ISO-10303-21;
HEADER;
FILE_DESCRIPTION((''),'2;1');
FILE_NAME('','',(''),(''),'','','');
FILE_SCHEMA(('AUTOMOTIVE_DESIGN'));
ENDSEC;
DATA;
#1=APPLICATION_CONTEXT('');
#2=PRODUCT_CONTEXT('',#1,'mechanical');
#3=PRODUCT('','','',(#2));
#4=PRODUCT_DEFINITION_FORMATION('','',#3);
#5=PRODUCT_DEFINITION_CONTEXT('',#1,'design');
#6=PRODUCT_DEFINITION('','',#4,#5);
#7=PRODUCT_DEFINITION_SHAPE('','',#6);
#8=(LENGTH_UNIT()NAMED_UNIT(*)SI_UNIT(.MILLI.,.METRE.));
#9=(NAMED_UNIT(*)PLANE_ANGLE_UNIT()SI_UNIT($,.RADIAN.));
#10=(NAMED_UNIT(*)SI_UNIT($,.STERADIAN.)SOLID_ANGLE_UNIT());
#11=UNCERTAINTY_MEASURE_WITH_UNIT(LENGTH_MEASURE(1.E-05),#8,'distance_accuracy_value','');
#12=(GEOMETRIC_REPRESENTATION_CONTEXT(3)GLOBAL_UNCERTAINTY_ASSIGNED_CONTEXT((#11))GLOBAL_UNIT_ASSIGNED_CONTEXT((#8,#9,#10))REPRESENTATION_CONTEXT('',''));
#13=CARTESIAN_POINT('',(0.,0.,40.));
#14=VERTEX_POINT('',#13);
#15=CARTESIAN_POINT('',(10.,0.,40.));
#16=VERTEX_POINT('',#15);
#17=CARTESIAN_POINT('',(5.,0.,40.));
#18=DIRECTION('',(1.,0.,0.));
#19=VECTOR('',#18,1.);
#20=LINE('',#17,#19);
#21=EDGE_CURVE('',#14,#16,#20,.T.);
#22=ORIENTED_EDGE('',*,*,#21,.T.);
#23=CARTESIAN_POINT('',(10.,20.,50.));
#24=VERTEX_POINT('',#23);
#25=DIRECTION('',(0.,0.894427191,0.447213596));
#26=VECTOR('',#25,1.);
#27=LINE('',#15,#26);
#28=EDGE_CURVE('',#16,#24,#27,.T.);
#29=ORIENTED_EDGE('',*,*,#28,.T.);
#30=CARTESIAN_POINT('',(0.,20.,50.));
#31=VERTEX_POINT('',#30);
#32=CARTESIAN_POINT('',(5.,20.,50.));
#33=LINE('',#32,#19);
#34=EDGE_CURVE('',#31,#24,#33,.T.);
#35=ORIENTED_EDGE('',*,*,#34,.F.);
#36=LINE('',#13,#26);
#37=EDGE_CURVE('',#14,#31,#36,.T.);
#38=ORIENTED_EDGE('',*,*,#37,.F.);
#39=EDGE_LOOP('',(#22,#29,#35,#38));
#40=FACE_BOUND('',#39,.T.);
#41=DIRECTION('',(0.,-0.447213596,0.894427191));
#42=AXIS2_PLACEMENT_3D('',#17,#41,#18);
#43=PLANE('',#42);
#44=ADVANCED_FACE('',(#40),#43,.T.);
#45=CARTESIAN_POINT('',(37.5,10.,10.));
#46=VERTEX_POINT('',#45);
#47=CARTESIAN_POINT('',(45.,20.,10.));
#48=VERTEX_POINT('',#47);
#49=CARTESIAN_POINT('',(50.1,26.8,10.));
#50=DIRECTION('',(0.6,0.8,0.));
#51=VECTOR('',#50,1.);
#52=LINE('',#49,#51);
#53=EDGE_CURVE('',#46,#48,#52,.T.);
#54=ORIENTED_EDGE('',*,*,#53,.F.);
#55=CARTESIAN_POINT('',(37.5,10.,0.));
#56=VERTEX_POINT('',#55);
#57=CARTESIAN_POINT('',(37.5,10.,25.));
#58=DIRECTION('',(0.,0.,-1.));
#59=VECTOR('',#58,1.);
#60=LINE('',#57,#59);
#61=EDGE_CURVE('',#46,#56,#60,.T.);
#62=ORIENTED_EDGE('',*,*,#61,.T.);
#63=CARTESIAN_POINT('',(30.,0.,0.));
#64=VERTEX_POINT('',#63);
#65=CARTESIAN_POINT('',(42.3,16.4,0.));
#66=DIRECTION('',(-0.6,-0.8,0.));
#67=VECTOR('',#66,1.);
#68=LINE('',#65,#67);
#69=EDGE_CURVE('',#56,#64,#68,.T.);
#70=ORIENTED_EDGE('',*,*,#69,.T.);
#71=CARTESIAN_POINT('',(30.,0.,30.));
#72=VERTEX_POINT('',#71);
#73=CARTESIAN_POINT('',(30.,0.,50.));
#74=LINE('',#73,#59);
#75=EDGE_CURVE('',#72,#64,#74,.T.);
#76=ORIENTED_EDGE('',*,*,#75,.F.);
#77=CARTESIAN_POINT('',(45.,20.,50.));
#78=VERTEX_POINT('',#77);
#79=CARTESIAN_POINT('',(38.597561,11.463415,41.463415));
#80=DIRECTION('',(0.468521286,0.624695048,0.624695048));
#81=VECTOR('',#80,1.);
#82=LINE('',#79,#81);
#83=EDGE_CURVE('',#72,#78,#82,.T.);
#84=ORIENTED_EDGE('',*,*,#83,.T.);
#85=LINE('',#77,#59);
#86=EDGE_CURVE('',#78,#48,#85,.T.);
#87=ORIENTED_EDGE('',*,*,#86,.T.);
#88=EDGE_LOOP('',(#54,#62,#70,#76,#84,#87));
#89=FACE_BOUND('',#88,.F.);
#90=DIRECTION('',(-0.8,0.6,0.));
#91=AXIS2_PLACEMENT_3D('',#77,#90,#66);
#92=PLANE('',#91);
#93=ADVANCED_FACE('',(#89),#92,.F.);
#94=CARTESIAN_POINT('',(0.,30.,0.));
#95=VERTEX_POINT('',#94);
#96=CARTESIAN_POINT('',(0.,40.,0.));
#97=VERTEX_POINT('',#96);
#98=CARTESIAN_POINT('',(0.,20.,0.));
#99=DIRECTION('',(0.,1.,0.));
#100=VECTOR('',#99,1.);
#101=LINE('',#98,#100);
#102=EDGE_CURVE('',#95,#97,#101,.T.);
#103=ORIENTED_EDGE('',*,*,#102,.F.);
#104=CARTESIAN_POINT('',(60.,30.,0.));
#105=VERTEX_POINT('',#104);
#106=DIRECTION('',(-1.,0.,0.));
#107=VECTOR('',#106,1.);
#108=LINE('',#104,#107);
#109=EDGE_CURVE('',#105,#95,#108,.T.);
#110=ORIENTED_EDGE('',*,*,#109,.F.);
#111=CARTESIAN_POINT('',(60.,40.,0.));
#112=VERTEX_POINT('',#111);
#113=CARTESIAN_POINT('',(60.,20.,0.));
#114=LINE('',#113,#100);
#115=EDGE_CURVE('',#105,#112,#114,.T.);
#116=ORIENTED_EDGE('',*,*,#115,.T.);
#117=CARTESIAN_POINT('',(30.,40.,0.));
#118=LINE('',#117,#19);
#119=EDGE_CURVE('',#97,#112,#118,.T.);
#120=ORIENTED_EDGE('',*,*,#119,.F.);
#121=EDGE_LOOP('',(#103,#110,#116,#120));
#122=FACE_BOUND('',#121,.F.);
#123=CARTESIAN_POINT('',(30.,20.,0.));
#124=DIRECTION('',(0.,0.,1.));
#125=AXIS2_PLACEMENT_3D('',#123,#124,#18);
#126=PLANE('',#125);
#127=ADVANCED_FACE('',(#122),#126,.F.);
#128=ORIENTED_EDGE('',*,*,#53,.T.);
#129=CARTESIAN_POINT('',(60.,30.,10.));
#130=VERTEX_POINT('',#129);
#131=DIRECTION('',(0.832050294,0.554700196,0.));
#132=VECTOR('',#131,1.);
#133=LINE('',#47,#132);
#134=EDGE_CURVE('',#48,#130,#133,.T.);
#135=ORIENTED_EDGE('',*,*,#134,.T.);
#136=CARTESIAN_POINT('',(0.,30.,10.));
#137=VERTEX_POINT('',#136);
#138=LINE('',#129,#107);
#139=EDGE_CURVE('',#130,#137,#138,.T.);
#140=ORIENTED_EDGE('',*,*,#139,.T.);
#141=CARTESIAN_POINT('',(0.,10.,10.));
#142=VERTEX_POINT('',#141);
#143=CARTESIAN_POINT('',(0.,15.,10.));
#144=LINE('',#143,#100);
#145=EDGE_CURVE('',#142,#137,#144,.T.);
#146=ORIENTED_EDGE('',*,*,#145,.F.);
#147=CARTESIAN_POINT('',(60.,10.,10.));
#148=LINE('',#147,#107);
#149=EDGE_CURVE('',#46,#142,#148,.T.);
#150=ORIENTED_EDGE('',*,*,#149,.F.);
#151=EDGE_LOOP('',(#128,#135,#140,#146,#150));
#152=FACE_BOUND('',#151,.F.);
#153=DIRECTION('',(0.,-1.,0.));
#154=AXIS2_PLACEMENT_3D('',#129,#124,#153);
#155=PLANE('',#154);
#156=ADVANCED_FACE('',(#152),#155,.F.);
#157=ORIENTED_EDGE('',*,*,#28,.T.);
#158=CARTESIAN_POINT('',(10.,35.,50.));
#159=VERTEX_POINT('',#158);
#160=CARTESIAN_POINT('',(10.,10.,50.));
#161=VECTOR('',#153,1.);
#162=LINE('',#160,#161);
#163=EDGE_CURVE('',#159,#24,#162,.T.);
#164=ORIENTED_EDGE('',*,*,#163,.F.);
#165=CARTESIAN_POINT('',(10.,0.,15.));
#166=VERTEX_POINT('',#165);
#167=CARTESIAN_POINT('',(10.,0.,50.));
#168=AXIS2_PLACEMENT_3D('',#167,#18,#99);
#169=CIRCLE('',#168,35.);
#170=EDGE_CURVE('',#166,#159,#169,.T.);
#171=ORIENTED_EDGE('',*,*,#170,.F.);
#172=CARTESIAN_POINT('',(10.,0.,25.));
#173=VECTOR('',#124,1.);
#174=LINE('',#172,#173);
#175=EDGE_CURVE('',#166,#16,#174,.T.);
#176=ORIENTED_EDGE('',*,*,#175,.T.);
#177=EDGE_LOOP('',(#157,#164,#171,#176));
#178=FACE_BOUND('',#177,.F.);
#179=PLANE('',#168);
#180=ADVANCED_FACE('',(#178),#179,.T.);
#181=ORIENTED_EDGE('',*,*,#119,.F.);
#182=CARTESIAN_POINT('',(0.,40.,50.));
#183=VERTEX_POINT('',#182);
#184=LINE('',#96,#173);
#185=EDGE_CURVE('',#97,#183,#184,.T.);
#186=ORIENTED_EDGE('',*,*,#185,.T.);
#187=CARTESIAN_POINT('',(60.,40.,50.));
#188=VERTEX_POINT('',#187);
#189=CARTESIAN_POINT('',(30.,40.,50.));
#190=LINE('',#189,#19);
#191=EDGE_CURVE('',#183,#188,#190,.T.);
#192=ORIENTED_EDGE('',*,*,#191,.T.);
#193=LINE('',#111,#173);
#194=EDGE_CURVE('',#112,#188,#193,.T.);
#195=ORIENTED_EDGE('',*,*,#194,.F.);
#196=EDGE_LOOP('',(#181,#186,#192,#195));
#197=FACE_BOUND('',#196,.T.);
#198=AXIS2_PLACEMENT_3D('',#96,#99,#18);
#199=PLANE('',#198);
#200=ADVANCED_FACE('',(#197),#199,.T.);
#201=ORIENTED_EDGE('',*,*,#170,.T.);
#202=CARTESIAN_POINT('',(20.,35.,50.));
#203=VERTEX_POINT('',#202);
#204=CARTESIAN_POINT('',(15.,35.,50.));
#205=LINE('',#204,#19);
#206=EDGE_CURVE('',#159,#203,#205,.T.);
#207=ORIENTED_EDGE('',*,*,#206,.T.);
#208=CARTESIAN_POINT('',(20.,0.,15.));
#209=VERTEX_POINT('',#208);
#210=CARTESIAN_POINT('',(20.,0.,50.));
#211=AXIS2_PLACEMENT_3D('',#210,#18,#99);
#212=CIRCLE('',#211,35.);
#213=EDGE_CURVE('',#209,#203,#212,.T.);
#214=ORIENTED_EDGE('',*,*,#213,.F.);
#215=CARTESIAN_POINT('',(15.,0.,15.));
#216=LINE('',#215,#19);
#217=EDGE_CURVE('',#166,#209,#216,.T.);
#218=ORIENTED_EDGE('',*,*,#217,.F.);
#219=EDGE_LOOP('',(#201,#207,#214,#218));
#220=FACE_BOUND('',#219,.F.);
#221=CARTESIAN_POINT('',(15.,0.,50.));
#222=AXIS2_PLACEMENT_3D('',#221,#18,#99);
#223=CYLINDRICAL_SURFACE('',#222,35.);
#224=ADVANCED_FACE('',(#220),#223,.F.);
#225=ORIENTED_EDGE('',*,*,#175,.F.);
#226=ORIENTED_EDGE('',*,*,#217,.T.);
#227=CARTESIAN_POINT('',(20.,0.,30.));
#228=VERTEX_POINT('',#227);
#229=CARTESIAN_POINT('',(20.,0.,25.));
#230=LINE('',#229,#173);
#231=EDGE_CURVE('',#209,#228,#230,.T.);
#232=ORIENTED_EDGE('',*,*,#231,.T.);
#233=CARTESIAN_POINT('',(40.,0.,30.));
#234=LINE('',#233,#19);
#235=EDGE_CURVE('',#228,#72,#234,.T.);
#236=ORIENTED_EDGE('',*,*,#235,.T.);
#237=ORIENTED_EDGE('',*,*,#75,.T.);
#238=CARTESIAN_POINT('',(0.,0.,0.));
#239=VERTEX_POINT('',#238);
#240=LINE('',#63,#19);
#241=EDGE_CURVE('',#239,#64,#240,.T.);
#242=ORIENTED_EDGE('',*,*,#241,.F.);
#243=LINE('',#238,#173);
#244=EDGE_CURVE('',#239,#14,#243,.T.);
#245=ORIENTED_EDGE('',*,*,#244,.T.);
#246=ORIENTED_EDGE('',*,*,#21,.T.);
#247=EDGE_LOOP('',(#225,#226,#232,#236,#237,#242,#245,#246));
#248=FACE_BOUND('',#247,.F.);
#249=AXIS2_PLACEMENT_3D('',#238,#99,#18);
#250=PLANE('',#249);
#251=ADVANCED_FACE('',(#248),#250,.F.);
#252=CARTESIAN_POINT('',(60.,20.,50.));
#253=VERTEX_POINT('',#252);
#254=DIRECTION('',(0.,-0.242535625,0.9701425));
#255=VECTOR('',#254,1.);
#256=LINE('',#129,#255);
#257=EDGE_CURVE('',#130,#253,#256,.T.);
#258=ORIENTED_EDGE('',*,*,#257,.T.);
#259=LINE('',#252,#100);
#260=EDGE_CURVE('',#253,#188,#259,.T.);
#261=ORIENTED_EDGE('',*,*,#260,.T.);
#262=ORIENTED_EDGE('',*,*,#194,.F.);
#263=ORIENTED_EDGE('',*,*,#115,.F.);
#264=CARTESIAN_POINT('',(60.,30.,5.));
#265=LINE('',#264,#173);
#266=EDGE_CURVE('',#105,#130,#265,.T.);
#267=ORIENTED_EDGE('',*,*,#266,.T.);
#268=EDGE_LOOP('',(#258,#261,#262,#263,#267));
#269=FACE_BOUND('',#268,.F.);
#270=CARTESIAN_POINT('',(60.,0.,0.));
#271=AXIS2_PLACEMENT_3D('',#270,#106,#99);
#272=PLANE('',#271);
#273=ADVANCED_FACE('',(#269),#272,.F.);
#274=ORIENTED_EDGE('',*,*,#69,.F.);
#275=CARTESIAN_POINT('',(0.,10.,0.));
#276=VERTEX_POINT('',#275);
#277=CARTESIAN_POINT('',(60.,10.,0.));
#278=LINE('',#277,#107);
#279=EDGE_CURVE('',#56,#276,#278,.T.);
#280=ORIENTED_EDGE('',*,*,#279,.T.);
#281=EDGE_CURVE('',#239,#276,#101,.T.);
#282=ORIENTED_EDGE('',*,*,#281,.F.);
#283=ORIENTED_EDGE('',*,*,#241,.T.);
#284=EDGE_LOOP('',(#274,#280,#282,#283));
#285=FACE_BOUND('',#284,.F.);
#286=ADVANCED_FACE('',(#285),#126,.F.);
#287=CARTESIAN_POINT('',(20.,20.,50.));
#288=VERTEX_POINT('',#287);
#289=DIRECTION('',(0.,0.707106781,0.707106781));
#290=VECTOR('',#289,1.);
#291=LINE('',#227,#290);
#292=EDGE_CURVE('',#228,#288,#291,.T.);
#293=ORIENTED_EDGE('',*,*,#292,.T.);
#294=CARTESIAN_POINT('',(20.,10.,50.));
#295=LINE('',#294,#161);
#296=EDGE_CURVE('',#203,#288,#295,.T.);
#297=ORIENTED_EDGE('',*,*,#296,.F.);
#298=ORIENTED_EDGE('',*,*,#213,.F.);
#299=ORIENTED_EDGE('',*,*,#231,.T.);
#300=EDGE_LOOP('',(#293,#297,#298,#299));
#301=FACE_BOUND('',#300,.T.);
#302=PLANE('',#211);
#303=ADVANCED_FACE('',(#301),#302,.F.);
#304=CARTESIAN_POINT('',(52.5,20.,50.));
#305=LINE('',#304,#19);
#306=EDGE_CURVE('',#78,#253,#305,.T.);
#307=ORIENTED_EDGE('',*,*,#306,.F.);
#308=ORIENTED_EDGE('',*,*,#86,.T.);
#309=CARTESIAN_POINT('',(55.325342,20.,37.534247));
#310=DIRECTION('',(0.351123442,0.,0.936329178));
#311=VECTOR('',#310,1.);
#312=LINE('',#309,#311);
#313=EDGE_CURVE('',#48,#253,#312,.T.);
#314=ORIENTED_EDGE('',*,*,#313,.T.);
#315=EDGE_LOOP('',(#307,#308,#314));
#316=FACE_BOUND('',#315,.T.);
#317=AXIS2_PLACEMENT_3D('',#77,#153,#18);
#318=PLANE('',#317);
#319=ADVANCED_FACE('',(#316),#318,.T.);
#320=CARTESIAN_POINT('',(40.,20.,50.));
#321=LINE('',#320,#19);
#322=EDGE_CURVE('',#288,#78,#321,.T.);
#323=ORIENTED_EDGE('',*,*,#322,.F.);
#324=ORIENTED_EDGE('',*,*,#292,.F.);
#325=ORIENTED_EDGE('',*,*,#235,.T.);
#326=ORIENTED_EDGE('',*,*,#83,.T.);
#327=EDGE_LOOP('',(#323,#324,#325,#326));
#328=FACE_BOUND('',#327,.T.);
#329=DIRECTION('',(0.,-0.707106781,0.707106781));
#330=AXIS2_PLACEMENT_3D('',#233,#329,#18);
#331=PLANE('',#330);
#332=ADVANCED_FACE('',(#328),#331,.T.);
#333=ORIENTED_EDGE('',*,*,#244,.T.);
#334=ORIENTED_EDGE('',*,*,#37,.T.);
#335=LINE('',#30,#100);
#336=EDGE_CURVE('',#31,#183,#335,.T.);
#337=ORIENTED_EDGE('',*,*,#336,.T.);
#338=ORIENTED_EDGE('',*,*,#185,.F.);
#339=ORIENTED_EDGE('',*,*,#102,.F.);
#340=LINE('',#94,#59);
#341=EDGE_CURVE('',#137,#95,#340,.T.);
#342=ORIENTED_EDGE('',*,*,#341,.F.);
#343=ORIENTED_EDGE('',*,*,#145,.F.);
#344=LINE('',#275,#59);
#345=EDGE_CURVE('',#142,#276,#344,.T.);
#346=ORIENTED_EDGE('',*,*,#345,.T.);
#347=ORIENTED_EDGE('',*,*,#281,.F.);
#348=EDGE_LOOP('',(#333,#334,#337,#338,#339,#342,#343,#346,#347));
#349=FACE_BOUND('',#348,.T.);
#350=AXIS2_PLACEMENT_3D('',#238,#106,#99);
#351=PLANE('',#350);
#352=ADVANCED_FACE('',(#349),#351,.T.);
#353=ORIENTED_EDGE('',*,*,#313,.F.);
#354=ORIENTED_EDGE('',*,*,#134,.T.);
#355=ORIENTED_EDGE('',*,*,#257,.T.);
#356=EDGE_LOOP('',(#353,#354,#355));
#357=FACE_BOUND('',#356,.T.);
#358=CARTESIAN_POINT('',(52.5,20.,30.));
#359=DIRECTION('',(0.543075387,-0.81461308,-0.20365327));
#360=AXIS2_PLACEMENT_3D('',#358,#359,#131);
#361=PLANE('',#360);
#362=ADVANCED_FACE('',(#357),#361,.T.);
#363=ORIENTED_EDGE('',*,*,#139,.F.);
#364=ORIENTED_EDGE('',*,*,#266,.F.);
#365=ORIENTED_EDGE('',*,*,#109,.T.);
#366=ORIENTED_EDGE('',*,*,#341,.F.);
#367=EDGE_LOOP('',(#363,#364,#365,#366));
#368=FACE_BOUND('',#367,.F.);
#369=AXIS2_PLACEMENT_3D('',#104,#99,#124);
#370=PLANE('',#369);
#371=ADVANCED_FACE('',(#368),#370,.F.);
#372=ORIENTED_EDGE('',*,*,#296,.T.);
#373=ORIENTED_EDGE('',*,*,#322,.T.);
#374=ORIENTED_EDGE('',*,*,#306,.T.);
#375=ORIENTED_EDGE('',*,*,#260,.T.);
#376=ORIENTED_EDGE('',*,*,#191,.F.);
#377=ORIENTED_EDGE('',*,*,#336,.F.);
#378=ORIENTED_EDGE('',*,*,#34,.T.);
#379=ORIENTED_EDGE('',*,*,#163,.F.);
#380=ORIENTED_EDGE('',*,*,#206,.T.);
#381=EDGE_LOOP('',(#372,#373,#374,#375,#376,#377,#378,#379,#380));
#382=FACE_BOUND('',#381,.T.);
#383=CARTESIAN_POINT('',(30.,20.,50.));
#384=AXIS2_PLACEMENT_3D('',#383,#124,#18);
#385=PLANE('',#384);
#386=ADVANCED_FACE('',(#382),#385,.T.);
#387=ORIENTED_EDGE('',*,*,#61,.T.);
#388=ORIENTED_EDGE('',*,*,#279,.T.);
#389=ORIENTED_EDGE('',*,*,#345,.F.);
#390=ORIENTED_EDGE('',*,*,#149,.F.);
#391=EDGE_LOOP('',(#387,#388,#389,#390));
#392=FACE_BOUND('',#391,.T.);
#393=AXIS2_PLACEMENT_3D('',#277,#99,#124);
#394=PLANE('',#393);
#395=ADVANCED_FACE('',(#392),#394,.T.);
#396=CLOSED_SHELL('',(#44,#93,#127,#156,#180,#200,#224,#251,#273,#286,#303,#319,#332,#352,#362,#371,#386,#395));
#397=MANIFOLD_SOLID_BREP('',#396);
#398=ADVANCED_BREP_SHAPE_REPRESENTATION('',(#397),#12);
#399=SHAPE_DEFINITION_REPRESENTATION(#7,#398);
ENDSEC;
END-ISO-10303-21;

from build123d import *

# Parameters (mm, degrees)
F0_W      = 60
F0_H      = 40
F1_DEPTH  = 50
F2_W      = 10
F2_H      = 35
F4_W      = 10
F4_H      = 10
F10_DEPTH = 50.001
F11_W     = 15
F11_H     = 20
F12_DEPTH = 50.001
F7_W      = 40
F7_H      = 20
F14_W     = 10
F14_H     = 10
F15_DEPTH = 60.001
F14_W_2   = 20
F19_DEPTH = 60.001


with BuildPart() as f1:
    # F0 (on Top) → F1 (new body)
    with BuildSketch(Plane.XY):
        with Locations((30, 20)):
            Rectangle(F0_W, F0_H)
    extrude(amount=F1_DEPTH)

    # F2 (on face) → F3 (revolve, cut)
    with BuildSketch(Plane.XY.offset(50)):
        with Locations((15, 17.5)):
            Rectangle(F2_W, F2_H)
    revolve(axis=Axis((15, 0, 50), (1, 0, 0)), mode=Mode.SUBTRACT)

    # F6: sweep along a path in F5
    with BuildLine(Plane(origin=(0, 0, 0), x_dir=(0, -1, 0), z_dir=(-1, 0, 0))) as f6_path:
        Line((0, 40), (-20, 50))
    # F4 (on face) → F6 (sweep, cut)
    with BuildSketch(Plane.XZ):
        with Locations((5, 45)):
            Rectangle(F4_W, F4_H)
    sweep(path=f6_path.line, mode=Mode.SUBTRACT)

    # F9 (on face) → F10 (cut, through all)
    with BuildSketch(Plane.XY.offset(50)):
        Polygon((45, 20), (30, 0), (45, 0), align=None)
    extrude(amount=-F10_DEPTH, mode=Mode.SUBTRACT)

    # F11 (on face) → F12 (cut, through all)
    with BuildSketch(Plane.XY.offset(50)):
        with Locations((52.5, 10)):
            Rectangle(F11_W, F11_H)
    extrude(amount=-F12_DEPTH, mode=Mode.SUBTRACT)

    # F13: sweep along a path in F8
    with BuildLine(Plane.YZ.offset(60)) as f13_path:
        Line((0, 30), (20, 50))
    # F7 (on face) → F13 (sweep, cut)
    with BuildSketch(Plane.XZ):
        with Locations((40, 40)):
            Rectangle(F7_W, F7_H)
    sweep(path=f13_path.line, mode=Mode.SUBTRACT)

    # F14 (on face) → F15 (cut, through all)
    with BuildSketch(Plane.YZ.offset(60)):
        with Locations((25, 5)):
            Rectangle(F14_W, F14_H)
        with Locations((15, 5)):
            Rectangle(F14_W, F14_H)
    extrude(amount=-F15_DEPTH, mode=Mode.SUBTRACT)

    # F18: sweep along a path in F17
    with BuildLine(Plane.YZ.offset(60)) as f18_path:
        Line((30, 10), (20, 50))
    # F16 (on face) → F18 (sweep, cut)
    with BuildSketch(Plane(origin=(0, 0, 10), x_dir=(1, 0, 0), z_dir=(0, 0, -1))):
        Polygon((60, -20), (45, -20), (60, -30), align=None)
    sweep(path=f18_path.line, mode=Mode.SUBTRACT)

    # F14 (on face) → F19 (cut, through all)
    with BuildSketch(Plane.YZ.offset(60)):
        with Locations((20, 5)):
            Rectangle(F14_W_2, F14_H)
        with Locations((15, 5)):
            Rectangle(F14_W, F14_H)
    extrude(amount=-F19_DEPTH, mode=Mode.SUBTRACT)


solid = f1.part
